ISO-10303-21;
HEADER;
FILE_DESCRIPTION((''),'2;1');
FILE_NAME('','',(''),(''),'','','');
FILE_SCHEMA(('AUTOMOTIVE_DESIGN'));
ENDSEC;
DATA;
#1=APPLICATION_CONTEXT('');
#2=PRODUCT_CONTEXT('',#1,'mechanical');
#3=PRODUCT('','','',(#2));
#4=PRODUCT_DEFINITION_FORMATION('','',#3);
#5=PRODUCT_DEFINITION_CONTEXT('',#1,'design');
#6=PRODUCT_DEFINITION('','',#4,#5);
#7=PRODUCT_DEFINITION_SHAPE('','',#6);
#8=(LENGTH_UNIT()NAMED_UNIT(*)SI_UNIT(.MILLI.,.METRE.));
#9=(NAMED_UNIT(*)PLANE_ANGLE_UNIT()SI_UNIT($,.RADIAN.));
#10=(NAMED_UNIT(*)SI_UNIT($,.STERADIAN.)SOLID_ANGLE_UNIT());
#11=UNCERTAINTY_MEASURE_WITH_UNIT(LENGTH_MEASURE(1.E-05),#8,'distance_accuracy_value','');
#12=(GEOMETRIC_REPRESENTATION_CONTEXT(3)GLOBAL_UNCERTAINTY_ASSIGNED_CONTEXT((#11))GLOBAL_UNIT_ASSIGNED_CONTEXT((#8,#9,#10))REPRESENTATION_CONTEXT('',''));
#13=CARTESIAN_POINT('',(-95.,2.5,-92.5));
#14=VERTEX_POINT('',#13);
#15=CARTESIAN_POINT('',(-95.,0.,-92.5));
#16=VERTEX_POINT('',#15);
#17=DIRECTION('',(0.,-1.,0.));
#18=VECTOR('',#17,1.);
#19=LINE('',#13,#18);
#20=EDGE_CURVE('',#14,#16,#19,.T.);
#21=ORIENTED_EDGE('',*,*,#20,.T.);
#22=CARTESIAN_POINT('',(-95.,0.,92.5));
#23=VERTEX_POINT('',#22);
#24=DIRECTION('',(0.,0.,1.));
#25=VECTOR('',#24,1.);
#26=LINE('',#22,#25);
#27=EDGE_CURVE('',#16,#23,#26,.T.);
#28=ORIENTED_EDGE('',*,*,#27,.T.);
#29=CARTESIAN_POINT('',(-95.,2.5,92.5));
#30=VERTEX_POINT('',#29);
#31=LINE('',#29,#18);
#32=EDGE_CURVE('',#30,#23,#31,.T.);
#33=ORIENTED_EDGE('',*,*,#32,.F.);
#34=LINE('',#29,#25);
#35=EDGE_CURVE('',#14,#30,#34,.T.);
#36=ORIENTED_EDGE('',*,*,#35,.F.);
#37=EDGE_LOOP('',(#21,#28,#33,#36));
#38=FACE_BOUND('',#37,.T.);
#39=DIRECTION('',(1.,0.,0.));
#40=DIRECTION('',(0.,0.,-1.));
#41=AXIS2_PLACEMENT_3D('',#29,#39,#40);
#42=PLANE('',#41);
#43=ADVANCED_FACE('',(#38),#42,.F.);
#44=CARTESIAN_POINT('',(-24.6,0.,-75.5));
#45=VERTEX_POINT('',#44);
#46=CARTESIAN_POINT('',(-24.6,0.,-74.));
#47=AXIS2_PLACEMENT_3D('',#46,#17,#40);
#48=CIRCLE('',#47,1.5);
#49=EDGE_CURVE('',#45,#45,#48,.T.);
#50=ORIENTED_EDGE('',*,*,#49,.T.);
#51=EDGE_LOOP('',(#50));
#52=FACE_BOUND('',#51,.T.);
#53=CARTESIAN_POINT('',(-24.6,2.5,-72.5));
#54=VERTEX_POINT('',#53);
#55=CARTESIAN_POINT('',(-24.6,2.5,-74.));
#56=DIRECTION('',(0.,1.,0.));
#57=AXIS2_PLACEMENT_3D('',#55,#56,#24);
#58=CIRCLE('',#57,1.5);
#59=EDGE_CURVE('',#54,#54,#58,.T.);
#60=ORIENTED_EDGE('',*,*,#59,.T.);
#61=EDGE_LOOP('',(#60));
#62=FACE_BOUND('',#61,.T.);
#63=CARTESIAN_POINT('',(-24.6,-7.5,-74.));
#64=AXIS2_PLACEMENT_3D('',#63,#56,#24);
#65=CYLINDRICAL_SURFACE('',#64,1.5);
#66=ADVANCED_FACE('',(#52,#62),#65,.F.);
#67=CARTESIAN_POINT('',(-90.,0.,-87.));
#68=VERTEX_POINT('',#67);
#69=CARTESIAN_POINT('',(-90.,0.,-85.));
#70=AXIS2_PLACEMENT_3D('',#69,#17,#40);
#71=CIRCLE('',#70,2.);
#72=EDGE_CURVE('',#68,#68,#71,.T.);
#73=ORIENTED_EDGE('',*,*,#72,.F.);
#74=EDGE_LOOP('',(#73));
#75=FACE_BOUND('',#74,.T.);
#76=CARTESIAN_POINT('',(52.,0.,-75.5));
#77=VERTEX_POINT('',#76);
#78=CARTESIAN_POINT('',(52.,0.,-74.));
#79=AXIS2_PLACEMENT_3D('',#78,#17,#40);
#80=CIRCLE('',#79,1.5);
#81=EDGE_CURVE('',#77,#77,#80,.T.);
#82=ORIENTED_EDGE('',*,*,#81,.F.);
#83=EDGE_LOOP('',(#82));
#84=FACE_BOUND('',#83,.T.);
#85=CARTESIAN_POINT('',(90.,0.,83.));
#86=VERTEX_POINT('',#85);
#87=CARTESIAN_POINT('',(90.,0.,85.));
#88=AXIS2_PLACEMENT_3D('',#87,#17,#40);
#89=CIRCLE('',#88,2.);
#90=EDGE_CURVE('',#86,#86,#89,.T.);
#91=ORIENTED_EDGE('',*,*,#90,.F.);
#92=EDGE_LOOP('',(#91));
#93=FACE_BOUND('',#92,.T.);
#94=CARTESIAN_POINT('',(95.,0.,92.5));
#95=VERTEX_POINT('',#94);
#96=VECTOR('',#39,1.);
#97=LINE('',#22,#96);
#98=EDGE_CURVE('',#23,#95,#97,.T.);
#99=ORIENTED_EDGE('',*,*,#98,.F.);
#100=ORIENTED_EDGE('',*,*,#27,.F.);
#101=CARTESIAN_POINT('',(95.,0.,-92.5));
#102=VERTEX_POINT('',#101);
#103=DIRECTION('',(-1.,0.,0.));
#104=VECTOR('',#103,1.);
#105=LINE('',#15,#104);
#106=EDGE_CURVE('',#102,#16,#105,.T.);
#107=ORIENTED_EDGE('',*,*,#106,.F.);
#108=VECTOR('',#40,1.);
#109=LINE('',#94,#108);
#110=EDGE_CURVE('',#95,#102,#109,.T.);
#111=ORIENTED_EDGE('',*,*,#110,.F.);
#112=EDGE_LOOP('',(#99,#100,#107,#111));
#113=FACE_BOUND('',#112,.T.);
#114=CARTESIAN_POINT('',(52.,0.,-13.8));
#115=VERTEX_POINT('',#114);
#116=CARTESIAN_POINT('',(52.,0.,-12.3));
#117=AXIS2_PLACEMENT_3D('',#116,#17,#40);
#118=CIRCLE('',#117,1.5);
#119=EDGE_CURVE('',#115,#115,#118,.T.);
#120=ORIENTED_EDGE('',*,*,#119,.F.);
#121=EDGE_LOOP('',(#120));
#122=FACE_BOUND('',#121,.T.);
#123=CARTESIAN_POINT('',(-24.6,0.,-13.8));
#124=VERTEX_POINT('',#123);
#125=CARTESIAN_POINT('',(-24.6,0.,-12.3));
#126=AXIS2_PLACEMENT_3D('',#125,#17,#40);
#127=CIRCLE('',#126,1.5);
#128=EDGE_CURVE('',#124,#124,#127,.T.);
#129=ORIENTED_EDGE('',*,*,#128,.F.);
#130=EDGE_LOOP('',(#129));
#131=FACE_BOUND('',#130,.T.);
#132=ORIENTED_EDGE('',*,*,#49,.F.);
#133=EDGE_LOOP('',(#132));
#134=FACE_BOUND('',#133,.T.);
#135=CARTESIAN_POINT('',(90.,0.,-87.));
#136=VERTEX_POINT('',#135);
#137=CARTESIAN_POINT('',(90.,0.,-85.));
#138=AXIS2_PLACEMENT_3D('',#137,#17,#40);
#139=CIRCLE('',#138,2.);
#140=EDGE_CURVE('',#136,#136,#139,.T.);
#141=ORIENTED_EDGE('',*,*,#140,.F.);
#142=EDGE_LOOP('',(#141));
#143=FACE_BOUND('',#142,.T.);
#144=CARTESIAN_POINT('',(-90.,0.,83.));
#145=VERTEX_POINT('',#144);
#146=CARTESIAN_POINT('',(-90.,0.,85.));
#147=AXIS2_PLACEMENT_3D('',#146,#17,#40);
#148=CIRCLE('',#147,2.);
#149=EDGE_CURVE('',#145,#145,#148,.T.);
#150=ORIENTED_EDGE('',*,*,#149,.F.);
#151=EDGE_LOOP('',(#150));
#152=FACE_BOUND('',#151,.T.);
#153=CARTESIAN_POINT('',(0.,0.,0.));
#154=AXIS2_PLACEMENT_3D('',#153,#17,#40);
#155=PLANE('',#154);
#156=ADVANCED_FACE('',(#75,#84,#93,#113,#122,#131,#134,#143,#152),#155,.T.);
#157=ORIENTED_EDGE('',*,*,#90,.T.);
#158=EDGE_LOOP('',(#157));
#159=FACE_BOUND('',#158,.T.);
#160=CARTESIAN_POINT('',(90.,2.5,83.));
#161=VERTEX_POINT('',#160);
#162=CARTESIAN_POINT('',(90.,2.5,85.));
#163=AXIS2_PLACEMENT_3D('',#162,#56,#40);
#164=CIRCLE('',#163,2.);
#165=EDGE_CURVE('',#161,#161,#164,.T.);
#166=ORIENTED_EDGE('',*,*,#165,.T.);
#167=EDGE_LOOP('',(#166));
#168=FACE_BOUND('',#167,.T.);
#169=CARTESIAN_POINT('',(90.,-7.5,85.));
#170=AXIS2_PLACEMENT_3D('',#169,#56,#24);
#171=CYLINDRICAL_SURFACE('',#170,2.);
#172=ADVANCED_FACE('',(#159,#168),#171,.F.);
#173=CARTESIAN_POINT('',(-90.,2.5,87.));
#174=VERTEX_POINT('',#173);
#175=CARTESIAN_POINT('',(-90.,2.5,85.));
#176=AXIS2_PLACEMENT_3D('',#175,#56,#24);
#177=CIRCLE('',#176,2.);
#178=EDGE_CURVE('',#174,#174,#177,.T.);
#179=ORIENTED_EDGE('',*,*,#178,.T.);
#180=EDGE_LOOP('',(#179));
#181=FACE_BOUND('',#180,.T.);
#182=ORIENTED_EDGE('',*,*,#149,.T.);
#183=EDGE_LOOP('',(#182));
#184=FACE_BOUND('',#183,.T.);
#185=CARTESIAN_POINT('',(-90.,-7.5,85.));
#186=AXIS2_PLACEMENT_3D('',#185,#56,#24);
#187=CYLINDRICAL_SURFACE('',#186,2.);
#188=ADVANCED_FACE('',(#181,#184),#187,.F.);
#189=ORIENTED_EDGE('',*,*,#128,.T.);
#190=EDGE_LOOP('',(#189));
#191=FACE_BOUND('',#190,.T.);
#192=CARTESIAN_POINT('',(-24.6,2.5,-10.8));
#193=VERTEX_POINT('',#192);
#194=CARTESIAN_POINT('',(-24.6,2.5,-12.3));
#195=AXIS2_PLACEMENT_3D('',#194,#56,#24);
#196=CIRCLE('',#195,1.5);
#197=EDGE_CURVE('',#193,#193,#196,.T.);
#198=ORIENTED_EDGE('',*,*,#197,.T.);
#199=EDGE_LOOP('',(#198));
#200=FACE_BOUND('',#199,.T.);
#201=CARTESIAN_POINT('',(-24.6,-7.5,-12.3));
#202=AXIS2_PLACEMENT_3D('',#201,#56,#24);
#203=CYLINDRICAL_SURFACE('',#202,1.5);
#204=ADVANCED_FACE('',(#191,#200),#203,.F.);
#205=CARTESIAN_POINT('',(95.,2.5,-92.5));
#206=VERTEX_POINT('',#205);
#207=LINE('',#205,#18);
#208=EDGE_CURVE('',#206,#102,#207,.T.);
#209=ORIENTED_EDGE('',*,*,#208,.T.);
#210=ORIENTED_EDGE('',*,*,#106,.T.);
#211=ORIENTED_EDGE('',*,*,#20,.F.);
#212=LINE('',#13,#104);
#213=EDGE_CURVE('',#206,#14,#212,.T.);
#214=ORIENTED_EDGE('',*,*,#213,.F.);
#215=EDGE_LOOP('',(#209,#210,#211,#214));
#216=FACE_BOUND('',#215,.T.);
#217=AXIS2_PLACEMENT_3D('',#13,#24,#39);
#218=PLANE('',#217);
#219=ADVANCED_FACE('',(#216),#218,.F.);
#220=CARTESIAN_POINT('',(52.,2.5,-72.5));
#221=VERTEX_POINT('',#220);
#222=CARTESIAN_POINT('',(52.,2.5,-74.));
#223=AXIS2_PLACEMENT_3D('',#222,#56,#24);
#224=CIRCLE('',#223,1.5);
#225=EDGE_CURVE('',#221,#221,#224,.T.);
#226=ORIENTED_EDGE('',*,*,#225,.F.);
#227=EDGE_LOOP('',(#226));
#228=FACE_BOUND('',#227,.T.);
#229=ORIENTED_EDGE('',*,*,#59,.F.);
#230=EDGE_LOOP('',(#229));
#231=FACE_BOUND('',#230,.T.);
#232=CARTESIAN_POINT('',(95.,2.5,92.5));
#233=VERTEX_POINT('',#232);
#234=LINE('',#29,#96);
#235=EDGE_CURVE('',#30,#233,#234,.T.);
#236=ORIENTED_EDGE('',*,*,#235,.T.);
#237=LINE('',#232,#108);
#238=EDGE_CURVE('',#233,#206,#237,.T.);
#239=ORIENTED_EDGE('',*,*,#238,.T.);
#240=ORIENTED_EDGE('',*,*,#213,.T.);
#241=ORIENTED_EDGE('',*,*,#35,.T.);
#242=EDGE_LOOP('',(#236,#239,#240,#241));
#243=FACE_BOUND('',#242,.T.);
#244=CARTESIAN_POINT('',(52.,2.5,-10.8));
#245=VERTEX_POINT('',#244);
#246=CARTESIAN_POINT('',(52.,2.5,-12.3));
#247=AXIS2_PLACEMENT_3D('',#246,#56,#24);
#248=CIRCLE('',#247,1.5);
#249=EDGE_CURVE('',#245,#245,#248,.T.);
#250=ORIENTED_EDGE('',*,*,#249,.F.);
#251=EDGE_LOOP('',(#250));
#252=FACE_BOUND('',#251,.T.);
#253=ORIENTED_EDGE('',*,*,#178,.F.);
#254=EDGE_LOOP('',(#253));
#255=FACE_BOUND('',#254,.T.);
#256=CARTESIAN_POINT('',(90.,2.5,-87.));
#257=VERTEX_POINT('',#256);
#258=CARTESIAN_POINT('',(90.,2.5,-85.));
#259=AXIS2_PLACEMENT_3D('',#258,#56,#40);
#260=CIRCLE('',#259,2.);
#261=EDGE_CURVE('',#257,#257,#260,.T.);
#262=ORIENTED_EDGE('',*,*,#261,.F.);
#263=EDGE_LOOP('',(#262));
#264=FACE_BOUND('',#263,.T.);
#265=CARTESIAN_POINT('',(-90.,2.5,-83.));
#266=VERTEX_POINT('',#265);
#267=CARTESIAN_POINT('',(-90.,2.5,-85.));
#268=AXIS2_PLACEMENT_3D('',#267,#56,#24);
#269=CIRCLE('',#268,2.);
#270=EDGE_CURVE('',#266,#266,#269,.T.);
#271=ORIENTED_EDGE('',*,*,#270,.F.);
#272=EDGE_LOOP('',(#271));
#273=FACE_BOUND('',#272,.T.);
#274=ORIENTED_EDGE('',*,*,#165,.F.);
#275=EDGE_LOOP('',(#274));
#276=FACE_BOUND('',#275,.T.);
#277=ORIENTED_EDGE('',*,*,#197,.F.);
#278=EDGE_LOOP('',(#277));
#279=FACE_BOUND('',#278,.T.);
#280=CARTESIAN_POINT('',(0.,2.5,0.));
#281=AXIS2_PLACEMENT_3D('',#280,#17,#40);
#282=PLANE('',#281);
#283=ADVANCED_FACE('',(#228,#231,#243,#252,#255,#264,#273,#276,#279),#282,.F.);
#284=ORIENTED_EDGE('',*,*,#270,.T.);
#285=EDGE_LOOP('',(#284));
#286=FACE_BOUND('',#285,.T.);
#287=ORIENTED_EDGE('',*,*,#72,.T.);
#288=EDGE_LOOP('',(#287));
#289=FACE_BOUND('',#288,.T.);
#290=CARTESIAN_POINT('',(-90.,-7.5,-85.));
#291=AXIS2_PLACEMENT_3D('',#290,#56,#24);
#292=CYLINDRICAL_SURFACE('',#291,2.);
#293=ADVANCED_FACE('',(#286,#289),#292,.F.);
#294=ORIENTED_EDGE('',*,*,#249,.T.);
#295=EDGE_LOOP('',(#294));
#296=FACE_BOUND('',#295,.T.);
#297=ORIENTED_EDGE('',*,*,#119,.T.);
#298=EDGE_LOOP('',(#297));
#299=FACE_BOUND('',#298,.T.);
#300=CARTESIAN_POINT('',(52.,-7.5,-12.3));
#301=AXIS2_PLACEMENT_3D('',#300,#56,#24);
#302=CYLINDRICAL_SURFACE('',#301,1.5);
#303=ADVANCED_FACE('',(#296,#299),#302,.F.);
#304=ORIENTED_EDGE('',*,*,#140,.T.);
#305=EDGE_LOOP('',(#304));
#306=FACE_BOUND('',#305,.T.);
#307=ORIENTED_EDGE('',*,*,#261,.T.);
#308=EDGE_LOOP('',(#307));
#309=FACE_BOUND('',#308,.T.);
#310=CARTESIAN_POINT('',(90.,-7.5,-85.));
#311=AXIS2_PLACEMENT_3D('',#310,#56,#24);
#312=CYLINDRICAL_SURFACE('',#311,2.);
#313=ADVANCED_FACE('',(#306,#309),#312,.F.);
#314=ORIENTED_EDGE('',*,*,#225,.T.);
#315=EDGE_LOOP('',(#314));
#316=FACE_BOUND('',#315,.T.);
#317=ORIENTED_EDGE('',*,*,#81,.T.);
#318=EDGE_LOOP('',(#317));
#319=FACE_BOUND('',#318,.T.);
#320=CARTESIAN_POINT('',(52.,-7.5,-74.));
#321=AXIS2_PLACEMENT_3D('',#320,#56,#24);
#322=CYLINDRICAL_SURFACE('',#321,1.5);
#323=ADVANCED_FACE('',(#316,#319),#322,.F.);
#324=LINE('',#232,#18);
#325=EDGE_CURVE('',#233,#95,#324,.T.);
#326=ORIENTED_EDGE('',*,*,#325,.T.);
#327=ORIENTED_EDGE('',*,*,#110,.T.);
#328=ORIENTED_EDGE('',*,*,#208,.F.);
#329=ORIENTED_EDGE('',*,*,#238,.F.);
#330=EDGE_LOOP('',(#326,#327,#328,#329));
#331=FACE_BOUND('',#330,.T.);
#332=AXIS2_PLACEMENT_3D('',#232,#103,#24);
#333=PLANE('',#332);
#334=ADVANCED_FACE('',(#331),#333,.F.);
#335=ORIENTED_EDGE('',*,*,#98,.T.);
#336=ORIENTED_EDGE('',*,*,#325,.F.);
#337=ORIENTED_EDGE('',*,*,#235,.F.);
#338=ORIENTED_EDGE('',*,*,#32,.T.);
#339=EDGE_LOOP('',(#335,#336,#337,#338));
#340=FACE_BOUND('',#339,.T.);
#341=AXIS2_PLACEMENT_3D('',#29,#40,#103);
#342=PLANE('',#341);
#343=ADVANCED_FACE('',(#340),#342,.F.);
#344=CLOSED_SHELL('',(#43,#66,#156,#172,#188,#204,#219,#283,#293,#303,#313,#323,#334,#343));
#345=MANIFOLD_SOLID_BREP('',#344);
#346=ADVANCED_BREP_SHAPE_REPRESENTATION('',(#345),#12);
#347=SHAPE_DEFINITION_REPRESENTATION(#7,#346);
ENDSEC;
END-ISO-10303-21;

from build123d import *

# Parameters (mm, degrees)
SKETCH1_W           = 190
SKETCH1_H           = 185
BOSS_EXTRUDE1_DEPTH = 2.5
SKETCH3_R           = 2
CUT_EXTRUDE2_DEPTH  = 10
SKETCH4_R           = 1.5
CUT_EXTRUDE3_DEPTH  = 10


with BuildPart() as part:
    # Sketch1 → Boss-Extrude1 (new body)
    with BuildSketch(Plane(origin=(0, 0, 0), x_dir=(1, 0, 0), z_dir=(0, 1, 0))):
        Rectangle(SKETCH1_W, SKETCH1_H)
    extrude(amount=BOSS_EXTRUDE1_DEPTH)

    # Sketch3 → Cut-Extrude2 (cut)
    with BuildSketch(Plane(origin=(0, 2.5, 0), x_dir=(1, 0, 0), z_dir=(0, 1, 0))):
        with Locations(Location((-90, 85, 0), (0, 0, 270))):
            Circle(SKETCH3_R)
        with Locations(Location((-90, -85, 0), (0, 0, 270))):
            Circle(SKETCH3_R)
        with Locations(Location((90, 85, 0), (0, 0, 90))):
            Circle(SKETCH3_R)
        with Locations(Location((90, -85, 0), (0, 0, 90))):
            Circle(SKETCH3_R)
    extrude(amount=-CUT_EXTRUDE2_DEPTH, mode=Mode.SUBTRACT)

    # Sketch4 → Cut-Extrude3 (cut)
    with BuildSketch(Plane(origin=(0, 2.5, 0), x_dir=(1, 0, 0), z_dir=(0, 1, 0))):
        with Locations(Location((52, 74, 0), (0, 0, 270))):
            Circle(SKETCH4_R)
        with Locations(Location((-24.6, 74, 0), (0, 0, 270))):
            Circle(SKETCH4_R)
        with Locations(Location((-24.6, 12.3, 0), (0, 0, 270))):
            Circle(SKETCH4_R)
        with Locations(Location((52, 12.3, 0), (0, 0, 270))):
            Circle(SKETCH4_R)
    extrude(amount=-CUT_EXTRUDE3_DEPTH, mode=Mode.SUBTRACT)


solid = part.part
